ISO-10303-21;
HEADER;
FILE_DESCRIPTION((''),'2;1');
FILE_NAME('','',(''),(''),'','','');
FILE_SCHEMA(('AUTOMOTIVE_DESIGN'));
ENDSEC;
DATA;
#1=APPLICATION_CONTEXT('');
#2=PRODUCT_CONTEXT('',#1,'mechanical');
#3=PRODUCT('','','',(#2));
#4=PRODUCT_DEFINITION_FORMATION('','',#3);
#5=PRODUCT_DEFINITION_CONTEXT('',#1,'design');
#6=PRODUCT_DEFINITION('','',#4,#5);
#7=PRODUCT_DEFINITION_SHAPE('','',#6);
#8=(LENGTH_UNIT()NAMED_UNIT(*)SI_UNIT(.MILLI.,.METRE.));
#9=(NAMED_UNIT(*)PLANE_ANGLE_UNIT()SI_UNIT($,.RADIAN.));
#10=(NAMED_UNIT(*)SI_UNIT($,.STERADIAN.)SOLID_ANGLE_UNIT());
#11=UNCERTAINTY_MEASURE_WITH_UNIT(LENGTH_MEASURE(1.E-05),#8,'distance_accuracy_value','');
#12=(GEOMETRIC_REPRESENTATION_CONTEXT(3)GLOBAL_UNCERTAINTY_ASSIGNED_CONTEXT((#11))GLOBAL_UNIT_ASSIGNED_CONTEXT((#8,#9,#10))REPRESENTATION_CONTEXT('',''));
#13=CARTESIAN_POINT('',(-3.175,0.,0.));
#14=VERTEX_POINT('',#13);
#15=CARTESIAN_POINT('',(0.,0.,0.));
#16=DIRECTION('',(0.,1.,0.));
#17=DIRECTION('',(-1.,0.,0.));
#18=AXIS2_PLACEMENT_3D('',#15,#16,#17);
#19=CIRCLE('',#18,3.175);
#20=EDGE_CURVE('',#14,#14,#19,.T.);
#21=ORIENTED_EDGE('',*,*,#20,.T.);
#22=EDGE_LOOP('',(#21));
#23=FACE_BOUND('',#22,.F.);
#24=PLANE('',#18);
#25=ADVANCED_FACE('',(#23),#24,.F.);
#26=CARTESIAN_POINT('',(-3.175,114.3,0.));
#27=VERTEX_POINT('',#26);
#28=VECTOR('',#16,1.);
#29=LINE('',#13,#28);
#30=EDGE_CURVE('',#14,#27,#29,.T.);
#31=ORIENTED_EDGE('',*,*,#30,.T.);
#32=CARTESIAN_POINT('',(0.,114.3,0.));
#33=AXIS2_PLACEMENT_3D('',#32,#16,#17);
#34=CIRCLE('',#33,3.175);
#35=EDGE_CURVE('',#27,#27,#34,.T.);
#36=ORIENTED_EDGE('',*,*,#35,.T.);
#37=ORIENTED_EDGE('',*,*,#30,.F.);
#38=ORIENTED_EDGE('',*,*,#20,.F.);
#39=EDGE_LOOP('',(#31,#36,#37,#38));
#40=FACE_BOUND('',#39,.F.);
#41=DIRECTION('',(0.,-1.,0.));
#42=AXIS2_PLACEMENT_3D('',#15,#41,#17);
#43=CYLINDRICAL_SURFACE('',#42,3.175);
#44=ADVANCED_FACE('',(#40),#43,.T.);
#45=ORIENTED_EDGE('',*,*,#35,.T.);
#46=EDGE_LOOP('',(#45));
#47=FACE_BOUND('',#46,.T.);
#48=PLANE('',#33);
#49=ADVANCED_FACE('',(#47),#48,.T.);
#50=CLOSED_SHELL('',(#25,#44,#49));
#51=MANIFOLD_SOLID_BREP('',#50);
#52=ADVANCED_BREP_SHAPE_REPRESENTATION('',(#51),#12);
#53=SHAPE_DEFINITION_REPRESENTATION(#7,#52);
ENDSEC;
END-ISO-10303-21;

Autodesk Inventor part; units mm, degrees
ref_plane "YZ Plane" through (0, 0, 0) normal (1, 0, 0) x (0, 1, 0)
ref_plane "XZ Plane" through (0, 0, 0) normal (0, 1, 0) x (-1, 0, 0)
ref_plane "XY Plane" through (0, 0, 0) normal (0, 0, 1) x (1, 0, 0)
sketch "Sketch1" plane through (0, 0, 0) normal (0, 1, 0) x (-1, 0, 0)
  circle A0 centre (0, 0) radius 3.175
  dimension "d0" = 6.35
extrude "Extrusion1" add sketch "Sketch1" along normal blind 114.3
properties part number "0.25 in long shaft"
